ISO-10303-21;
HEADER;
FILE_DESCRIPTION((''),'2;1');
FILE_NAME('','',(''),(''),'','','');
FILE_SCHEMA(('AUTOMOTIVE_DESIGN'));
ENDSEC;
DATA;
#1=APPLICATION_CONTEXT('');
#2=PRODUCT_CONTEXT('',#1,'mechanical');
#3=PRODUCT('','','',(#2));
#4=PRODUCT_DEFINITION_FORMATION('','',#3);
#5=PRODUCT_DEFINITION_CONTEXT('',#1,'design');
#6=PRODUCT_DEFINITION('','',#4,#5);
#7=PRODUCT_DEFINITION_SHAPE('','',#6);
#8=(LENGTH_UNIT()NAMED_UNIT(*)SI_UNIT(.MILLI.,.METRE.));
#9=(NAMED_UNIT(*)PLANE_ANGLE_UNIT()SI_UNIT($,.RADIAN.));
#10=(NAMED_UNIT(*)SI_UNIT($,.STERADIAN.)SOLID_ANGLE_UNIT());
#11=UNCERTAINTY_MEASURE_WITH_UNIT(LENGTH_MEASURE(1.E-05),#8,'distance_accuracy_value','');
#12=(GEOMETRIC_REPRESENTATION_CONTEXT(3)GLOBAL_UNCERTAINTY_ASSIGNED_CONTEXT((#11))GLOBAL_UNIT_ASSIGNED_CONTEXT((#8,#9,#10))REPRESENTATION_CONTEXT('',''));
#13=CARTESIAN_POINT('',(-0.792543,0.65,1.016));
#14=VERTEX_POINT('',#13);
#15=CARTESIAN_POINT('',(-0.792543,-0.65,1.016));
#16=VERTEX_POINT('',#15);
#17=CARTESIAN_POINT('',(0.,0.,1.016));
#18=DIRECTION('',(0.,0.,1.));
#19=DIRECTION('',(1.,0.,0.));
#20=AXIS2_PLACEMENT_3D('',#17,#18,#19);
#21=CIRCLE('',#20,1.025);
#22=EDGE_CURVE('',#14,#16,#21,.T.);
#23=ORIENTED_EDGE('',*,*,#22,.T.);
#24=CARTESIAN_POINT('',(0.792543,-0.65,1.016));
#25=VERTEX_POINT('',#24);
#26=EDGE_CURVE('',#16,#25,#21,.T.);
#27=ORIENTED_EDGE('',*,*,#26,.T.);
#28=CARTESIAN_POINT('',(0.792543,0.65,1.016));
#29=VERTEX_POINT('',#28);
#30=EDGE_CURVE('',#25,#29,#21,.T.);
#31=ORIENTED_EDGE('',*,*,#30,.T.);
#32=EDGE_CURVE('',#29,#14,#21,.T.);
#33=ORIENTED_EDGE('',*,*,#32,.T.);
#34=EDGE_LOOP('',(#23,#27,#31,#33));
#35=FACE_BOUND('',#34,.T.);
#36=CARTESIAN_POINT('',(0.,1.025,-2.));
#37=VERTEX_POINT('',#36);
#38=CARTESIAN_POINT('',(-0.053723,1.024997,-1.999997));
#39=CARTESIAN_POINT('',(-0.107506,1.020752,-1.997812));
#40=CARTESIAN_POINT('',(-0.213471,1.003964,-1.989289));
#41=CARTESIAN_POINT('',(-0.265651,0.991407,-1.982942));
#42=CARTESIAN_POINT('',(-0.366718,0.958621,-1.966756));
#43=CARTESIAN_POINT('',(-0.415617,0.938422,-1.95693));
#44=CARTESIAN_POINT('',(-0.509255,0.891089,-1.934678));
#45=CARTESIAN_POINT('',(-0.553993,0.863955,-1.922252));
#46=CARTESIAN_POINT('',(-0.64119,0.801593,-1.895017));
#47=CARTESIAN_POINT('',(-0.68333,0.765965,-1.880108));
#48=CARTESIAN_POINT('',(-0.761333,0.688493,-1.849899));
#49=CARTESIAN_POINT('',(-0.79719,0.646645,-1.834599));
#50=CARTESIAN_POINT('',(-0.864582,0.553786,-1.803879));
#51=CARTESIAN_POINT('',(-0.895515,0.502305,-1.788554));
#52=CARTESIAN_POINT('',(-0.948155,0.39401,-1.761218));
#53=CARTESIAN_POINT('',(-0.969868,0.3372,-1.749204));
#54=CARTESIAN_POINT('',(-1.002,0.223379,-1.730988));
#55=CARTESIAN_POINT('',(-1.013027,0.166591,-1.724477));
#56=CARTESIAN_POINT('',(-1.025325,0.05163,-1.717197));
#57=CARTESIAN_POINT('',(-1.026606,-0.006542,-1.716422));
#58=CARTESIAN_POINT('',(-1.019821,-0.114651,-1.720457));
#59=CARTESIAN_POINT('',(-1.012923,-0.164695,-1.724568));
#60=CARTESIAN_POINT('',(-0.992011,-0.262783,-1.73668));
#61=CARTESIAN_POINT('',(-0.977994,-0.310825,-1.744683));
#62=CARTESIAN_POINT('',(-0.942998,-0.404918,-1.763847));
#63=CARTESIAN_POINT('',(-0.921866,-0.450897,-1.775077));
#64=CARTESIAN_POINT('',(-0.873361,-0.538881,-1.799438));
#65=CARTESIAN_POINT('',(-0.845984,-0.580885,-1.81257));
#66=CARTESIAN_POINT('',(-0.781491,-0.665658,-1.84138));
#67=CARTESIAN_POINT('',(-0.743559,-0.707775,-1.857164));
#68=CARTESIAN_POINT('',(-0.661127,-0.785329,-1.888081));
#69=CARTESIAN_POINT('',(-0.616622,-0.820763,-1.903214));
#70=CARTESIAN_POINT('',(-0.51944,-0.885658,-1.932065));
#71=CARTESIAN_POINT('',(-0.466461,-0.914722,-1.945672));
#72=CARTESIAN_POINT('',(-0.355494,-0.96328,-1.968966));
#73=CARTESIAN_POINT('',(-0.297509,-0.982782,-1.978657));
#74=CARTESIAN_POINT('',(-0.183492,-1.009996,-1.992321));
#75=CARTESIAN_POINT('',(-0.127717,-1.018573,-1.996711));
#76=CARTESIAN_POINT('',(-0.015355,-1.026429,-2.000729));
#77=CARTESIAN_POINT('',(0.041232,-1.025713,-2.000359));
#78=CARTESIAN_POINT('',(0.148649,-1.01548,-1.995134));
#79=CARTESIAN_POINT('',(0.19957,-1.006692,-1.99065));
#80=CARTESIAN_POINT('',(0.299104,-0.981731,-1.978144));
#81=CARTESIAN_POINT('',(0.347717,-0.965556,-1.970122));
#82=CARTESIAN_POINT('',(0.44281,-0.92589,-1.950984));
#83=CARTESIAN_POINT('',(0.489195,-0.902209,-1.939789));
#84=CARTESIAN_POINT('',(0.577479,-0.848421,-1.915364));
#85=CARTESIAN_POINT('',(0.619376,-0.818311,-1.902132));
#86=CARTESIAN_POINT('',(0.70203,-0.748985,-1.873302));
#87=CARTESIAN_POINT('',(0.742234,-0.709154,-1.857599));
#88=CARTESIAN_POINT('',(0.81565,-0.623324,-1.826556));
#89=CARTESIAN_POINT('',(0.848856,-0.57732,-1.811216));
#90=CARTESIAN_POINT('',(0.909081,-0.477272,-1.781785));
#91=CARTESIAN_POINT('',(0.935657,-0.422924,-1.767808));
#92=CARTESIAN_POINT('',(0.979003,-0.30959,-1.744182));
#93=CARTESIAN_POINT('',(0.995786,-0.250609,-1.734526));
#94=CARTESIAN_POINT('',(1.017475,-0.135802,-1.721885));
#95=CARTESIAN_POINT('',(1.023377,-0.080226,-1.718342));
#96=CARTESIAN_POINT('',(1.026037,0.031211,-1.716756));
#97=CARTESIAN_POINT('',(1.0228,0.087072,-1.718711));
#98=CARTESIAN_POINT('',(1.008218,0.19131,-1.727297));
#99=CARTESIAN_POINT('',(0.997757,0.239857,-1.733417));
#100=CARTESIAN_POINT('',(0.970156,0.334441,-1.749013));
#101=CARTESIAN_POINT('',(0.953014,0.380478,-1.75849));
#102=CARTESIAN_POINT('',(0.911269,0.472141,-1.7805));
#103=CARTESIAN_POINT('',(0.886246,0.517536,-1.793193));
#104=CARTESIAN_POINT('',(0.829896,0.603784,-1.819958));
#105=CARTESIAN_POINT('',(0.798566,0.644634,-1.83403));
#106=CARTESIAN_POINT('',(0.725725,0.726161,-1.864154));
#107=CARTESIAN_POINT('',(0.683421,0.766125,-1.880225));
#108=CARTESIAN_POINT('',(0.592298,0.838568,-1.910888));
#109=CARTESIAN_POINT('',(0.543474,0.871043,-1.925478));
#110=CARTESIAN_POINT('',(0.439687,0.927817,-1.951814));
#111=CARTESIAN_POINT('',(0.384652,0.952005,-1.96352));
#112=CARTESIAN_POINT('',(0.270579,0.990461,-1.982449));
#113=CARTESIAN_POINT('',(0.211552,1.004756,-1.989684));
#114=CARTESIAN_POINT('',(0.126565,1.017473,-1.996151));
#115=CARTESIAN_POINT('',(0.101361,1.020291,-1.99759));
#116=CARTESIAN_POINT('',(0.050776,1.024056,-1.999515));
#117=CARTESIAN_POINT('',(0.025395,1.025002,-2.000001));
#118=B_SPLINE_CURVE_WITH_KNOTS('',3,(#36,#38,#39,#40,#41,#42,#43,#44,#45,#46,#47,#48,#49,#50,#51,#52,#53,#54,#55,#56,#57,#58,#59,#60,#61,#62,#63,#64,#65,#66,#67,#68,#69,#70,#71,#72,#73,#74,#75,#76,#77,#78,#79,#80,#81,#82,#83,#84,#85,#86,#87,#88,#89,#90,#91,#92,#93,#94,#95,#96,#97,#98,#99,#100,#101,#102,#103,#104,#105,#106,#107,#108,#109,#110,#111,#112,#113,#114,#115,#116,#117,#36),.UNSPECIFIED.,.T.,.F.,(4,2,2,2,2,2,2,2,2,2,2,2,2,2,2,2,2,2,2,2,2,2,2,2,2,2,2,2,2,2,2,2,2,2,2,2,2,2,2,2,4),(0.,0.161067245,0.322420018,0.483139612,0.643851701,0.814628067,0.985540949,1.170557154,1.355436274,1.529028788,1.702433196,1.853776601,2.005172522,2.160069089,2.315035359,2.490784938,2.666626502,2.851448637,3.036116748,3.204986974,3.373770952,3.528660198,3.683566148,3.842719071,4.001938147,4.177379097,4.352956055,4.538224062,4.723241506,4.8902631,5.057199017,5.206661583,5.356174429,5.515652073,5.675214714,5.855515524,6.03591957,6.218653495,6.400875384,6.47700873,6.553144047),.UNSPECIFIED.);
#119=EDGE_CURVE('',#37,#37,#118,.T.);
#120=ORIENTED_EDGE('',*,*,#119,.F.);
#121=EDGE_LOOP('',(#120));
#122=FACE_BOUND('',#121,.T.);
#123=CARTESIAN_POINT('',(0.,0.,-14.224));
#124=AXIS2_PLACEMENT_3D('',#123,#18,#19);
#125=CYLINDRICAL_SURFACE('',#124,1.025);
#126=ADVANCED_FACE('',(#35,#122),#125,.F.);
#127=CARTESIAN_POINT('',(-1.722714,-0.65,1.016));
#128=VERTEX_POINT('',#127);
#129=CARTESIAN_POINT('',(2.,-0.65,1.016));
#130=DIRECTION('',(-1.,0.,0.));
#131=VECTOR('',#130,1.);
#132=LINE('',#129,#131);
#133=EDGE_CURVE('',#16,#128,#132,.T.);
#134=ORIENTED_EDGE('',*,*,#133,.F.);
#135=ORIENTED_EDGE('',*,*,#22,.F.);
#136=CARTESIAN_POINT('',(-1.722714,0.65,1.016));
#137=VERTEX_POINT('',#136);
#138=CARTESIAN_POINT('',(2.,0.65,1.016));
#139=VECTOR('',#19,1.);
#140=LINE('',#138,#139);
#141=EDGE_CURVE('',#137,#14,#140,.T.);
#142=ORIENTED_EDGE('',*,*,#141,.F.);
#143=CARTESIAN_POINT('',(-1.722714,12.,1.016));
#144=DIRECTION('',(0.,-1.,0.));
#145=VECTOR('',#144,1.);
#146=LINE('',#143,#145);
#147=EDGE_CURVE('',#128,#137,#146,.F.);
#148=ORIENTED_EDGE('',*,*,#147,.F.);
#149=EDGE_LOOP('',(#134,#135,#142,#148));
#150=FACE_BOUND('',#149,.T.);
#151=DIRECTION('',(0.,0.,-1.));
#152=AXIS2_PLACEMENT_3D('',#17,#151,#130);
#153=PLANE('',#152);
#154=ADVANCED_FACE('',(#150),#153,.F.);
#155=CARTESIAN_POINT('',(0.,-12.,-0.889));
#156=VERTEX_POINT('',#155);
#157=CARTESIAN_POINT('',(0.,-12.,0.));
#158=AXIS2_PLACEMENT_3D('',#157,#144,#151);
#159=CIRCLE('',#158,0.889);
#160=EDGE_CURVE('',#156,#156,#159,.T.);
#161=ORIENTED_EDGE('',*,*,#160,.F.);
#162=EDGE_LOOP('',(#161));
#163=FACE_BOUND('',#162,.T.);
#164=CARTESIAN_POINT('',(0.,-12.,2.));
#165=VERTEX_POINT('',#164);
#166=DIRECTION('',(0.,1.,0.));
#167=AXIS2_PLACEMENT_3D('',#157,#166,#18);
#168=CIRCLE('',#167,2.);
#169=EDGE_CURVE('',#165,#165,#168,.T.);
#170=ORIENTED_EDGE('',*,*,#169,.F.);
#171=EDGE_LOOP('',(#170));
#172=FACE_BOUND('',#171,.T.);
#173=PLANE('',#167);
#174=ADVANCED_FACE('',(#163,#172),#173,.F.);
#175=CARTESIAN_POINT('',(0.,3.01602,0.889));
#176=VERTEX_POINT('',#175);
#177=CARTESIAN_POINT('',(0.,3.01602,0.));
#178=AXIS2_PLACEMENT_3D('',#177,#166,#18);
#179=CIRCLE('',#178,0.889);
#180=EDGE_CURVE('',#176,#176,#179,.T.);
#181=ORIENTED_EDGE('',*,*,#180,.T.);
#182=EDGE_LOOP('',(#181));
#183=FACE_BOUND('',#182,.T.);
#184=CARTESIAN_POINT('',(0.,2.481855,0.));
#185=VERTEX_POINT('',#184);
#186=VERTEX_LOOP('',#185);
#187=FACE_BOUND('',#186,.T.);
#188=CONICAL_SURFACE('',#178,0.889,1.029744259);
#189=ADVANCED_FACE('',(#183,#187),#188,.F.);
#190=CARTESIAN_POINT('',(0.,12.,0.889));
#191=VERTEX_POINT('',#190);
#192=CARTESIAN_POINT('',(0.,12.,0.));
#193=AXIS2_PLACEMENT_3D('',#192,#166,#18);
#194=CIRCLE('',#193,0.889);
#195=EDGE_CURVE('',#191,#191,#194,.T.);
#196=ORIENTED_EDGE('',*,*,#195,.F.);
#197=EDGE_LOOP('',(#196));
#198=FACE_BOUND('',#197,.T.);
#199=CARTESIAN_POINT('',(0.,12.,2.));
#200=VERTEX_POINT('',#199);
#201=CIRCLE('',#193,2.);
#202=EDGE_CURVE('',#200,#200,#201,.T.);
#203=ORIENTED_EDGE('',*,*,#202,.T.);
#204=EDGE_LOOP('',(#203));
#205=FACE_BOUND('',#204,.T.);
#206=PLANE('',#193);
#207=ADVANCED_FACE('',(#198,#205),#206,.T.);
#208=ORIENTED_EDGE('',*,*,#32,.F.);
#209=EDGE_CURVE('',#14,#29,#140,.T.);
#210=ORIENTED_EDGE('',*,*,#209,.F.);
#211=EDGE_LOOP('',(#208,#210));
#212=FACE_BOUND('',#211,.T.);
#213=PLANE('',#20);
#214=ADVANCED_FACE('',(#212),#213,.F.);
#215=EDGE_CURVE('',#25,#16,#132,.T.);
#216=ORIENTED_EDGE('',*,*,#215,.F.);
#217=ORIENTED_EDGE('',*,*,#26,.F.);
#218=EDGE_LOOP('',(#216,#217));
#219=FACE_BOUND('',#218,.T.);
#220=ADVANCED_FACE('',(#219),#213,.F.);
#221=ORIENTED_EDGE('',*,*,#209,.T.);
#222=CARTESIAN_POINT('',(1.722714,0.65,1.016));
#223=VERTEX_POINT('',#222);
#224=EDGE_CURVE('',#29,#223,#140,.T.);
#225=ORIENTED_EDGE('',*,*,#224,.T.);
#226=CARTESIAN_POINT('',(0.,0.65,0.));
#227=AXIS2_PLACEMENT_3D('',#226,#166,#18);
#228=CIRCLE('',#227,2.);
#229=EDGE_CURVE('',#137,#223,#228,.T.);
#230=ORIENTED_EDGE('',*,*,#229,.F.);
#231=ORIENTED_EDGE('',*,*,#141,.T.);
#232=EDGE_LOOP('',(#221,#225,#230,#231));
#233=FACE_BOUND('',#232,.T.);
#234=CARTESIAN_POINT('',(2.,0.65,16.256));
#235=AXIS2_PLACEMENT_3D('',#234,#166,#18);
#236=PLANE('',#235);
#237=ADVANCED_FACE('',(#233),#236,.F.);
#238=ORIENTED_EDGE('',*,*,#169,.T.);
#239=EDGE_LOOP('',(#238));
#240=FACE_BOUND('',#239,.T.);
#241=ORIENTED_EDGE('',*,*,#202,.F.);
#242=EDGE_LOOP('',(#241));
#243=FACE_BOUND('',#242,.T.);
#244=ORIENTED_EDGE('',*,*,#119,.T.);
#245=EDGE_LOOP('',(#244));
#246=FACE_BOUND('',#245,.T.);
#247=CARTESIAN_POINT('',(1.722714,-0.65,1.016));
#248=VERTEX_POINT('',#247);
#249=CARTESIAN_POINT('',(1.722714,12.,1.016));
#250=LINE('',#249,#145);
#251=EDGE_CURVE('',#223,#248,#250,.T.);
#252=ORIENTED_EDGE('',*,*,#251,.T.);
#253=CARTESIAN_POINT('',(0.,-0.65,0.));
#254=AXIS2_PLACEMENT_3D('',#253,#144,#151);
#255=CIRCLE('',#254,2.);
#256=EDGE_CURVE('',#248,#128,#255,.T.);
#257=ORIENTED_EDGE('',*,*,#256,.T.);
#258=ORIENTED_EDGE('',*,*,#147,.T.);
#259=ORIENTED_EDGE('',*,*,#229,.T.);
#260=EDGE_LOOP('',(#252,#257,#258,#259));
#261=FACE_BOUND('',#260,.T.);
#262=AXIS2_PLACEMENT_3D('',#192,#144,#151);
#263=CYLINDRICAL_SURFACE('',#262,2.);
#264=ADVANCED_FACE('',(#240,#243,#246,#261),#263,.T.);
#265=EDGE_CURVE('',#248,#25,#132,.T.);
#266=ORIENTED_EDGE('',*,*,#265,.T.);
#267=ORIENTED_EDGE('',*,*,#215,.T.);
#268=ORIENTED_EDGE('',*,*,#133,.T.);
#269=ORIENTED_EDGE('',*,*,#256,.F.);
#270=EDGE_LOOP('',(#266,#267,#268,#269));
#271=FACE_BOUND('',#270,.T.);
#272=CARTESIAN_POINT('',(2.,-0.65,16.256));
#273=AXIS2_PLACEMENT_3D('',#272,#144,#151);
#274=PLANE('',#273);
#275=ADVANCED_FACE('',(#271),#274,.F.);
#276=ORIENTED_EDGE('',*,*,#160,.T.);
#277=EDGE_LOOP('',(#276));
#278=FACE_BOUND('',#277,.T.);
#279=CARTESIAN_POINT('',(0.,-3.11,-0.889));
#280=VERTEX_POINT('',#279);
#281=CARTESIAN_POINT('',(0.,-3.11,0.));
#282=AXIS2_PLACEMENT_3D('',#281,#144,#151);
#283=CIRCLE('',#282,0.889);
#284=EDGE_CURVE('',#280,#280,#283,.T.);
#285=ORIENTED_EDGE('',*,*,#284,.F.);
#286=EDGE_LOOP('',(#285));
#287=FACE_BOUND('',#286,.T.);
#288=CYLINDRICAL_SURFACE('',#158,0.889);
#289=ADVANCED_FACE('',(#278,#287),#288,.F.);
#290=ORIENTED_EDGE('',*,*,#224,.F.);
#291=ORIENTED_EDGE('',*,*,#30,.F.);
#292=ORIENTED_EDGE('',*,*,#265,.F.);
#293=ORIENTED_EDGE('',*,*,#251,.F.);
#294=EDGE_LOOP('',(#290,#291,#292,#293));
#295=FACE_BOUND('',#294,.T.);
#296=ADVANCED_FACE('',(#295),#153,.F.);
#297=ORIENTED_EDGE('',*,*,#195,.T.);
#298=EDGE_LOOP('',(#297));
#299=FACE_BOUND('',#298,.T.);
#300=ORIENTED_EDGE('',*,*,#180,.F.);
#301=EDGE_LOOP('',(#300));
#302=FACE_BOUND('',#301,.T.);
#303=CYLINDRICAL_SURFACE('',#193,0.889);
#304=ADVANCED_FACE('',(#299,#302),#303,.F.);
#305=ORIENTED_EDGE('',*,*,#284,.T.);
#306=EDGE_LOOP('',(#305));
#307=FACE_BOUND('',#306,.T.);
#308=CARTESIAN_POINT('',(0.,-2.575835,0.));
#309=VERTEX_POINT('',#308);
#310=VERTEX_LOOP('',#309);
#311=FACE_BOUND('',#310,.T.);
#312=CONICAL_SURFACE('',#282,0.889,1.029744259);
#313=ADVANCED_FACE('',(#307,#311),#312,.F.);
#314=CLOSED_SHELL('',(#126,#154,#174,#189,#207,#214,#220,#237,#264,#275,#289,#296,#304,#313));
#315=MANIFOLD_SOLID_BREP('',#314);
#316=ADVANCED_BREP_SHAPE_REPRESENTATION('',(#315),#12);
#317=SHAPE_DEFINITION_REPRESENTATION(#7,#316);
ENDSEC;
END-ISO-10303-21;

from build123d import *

# Parameters (mm, degrees)
SKETCH1_R                 = 2
BOSS_EXTRUDE1_DEPTH       = 12
SKETCH2_R                 = 1.025
CUT_EXTRUDE1_DEPTH        = 15.24
SKETCH3_W                 = 4
SKETCH3_H                 = 1.3
CUT_EXTRUDE2_DEPTH        = 15.24
F_2_56_TAPPED_HOLE1_D     = 1.778
F_2_56_TAPPED_HOLE1_DEPTH = 8.98398
F_2_56_TAPPED_HOLE1_TIP   = 0.53416509
F_2_56_TAPPED_HOLE2_D     = 1.778
F_2_56_TAPPED_HOLE2_DEPTH = 8.89
F_2_56_TAPPED_HOLE2_TIP   = 0.53416509


with BuildPart() as part:
    # Sketch1 → Boss-Extrude1 (new, symmetric)
    with BuildSketch(Plane(origin=(0, 0, 0), x_dir=(1, 0, 0), z_dir=(0, 1, 0))):
        with Locations(Location((0, 0, 0), (0, 0, 270))):
            Circle(SKETCH1_R)
    extrude(amount=BOSS_EXTRUDE1_DEPTH, both=True)

    # Sketch2 → Cut-Extrude1 (cut)
    with BuildSketch(Plane.XY.offset(1.016)):
        Circle(SKETCH2_R)
    extrude(amount=-CUT_EXTRUDE1_DEPTH, mode=Mode.SUBTRACT)

    # Sketch3 → Cut-Extrude2 (cut)
    with BuildSketch(Plane(origin=(0, 0, 1.016), x_dir=(-1, 0, 0), z_dir=(0, 0, -1))):
        Rectangle(SKETCH3_W, SKETCH3_H)
    extrude(amount=-CUT_EXTRUDE2_DEPTH, mode=Mode.SUBTRACT)

    # #2-56 Tapped Hole1
    with Locations(Plane(origin=(0, 12, 0), x_dir=(1, 0, 0), z_dir=(0, 1, 0))):
        with Locations((0, 0)):
            Hole(F_2_56_TAPPED_HOLE1_D / 2, depth=F_2_56_TAPPED_HOLE1_DEPTH)
            with Locations((0, 0, -(F_2_56_TAPPED_HOLE1_DEPTH + F_2_56_TAPPED_HOLE1_TIP / 2))):  # 118° drill point
                Cone(0, F_2_56_TAPPED_HOLE1_D / 2, F_2_56_TAPPED_HOLE1_TIP, mode=Mode.SUBTRACT)

    # #2-56 Tapped Hole2
    with Locations(Plane(origin=(0, -12, 0), x_dir=(-1, 0, 0), z_dir=(0, -1, 0))):
        with Locations((0, 0)):
            Hole(F_2_56_TAPPED_HOLE2_D / 2, depth=F_2_56_TAPPED_HOLE2_DEPTH)
            with Locations((0, 0, -(F_2_56_TAPPED_HOLE2_DEPTH + F_2_56_TAPPED_HOLE2_TIP / 2))):  # 118° drill point
                Cone(0, F_2_56_TAPPED_HOLE2_D / 2, F_2_56_TAPPED_HOLE2_TIP, mode=Mode.SUBTRACT)


solid = part.part
